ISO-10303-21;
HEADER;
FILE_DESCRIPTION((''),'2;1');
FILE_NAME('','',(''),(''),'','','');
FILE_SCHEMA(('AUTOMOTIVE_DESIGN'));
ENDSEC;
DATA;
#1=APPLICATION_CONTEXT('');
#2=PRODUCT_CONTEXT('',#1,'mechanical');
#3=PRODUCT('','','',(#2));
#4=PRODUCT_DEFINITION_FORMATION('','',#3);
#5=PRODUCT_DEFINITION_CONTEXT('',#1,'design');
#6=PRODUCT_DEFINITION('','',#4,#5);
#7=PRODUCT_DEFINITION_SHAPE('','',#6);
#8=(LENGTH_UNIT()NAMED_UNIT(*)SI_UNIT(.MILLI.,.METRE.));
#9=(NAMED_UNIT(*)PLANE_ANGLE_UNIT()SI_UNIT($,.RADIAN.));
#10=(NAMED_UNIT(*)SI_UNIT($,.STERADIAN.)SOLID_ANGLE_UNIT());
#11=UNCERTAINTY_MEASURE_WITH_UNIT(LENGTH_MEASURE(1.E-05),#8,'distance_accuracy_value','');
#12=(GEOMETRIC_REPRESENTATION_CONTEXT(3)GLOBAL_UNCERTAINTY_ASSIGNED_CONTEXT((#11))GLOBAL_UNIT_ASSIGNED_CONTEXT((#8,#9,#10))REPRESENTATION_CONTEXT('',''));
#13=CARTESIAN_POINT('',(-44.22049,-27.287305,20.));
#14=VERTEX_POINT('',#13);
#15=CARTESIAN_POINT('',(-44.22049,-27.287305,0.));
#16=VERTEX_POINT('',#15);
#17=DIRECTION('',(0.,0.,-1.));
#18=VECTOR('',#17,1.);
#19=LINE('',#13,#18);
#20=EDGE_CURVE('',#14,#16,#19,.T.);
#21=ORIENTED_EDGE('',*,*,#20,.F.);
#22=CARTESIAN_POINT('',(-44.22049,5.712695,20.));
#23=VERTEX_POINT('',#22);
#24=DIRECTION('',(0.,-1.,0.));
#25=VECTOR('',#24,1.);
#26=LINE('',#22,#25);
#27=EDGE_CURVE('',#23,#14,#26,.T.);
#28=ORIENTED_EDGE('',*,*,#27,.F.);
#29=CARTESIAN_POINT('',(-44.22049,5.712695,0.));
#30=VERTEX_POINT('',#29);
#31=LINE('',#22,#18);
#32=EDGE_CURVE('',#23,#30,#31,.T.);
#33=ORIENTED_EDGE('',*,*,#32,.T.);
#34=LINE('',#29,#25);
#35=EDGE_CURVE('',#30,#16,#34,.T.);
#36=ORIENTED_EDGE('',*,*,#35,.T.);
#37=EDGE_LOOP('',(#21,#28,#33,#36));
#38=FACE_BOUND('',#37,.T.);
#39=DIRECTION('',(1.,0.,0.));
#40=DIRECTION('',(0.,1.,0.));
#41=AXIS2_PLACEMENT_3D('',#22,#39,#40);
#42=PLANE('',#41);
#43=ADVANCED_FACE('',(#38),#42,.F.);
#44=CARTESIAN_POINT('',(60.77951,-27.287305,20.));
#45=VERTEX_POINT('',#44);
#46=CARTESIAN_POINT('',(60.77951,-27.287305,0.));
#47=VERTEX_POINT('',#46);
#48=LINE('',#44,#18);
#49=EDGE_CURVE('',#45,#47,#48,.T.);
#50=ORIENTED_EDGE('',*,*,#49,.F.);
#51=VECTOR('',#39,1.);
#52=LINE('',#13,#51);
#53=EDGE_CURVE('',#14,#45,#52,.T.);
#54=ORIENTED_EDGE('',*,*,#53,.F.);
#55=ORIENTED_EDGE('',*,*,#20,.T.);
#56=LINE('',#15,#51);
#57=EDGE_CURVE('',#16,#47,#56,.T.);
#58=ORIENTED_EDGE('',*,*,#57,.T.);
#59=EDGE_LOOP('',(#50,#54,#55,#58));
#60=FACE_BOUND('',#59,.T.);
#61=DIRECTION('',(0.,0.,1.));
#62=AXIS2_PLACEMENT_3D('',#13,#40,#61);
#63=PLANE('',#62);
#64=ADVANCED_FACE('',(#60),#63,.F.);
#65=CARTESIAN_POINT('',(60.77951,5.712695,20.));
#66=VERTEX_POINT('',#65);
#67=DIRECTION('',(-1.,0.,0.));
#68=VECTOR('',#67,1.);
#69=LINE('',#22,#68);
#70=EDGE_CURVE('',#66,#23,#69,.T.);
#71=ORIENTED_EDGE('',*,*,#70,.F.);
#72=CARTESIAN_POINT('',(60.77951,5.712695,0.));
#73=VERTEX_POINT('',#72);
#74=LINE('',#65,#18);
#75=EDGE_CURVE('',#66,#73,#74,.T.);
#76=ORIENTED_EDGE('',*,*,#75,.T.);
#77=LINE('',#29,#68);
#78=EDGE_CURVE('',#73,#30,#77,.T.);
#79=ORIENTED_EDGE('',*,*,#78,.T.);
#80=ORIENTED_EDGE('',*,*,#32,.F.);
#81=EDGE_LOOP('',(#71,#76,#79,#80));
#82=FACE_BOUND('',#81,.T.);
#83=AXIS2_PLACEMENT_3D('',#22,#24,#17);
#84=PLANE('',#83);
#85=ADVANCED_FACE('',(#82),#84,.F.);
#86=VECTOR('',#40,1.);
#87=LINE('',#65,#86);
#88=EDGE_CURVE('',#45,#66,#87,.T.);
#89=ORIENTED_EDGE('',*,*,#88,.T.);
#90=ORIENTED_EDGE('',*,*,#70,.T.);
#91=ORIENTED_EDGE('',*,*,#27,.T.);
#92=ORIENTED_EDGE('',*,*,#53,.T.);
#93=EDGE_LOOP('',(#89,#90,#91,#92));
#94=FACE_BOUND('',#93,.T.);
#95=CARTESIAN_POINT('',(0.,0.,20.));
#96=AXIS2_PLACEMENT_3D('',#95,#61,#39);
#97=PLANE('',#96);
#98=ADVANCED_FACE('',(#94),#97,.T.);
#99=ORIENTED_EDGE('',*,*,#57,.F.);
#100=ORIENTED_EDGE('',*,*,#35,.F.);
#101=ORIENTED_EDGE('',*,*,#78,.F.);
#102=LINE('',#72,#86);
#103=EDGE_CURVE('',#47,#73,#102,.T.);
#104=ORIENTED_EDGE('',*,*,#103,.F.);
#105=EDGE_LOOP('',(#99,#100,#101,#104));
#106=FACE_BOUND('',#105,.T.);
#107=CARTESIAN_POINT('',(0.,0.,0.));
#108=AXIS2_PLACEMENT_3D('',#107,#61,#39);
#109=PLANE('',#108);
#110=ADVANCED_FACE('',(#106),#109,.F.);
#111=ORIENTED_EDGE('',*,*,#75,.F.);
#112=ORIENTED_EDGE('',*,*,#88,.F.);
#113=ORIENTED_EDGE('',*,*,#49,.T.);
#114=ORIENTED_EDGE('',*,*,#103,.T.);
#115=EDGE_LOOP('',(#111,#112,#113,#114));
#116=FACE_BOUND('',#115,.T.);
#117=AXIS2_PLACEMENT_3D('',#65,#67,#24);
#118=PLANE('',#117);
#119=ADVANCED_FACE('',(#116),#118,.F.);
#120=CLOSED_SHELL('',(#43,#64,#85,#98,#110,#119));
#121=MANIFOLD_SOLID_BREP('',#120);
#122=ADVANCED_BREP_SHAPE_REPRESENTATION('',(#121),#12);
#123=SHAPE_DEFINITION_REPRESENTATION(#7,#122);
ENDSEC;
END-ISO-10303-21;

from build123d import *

# Parameters (mm, degrees)
SKETCH_1_W      = 105
SKETCH_1_H      = 33
EXTRUDE_1_DEPTH = 20


with BuildPart() as part:
    # 草图1 → 凸台-拉伸1 (new body)
    with BuildSketch(Plane.XY):
        with Locations((8.279510022, -10.787305122)):
            Rectangle(SKETCH_1_W, SKETCH_1_H)
    extrude(amount=EXTRUDE_1_DEPTH)


solid = part.part
